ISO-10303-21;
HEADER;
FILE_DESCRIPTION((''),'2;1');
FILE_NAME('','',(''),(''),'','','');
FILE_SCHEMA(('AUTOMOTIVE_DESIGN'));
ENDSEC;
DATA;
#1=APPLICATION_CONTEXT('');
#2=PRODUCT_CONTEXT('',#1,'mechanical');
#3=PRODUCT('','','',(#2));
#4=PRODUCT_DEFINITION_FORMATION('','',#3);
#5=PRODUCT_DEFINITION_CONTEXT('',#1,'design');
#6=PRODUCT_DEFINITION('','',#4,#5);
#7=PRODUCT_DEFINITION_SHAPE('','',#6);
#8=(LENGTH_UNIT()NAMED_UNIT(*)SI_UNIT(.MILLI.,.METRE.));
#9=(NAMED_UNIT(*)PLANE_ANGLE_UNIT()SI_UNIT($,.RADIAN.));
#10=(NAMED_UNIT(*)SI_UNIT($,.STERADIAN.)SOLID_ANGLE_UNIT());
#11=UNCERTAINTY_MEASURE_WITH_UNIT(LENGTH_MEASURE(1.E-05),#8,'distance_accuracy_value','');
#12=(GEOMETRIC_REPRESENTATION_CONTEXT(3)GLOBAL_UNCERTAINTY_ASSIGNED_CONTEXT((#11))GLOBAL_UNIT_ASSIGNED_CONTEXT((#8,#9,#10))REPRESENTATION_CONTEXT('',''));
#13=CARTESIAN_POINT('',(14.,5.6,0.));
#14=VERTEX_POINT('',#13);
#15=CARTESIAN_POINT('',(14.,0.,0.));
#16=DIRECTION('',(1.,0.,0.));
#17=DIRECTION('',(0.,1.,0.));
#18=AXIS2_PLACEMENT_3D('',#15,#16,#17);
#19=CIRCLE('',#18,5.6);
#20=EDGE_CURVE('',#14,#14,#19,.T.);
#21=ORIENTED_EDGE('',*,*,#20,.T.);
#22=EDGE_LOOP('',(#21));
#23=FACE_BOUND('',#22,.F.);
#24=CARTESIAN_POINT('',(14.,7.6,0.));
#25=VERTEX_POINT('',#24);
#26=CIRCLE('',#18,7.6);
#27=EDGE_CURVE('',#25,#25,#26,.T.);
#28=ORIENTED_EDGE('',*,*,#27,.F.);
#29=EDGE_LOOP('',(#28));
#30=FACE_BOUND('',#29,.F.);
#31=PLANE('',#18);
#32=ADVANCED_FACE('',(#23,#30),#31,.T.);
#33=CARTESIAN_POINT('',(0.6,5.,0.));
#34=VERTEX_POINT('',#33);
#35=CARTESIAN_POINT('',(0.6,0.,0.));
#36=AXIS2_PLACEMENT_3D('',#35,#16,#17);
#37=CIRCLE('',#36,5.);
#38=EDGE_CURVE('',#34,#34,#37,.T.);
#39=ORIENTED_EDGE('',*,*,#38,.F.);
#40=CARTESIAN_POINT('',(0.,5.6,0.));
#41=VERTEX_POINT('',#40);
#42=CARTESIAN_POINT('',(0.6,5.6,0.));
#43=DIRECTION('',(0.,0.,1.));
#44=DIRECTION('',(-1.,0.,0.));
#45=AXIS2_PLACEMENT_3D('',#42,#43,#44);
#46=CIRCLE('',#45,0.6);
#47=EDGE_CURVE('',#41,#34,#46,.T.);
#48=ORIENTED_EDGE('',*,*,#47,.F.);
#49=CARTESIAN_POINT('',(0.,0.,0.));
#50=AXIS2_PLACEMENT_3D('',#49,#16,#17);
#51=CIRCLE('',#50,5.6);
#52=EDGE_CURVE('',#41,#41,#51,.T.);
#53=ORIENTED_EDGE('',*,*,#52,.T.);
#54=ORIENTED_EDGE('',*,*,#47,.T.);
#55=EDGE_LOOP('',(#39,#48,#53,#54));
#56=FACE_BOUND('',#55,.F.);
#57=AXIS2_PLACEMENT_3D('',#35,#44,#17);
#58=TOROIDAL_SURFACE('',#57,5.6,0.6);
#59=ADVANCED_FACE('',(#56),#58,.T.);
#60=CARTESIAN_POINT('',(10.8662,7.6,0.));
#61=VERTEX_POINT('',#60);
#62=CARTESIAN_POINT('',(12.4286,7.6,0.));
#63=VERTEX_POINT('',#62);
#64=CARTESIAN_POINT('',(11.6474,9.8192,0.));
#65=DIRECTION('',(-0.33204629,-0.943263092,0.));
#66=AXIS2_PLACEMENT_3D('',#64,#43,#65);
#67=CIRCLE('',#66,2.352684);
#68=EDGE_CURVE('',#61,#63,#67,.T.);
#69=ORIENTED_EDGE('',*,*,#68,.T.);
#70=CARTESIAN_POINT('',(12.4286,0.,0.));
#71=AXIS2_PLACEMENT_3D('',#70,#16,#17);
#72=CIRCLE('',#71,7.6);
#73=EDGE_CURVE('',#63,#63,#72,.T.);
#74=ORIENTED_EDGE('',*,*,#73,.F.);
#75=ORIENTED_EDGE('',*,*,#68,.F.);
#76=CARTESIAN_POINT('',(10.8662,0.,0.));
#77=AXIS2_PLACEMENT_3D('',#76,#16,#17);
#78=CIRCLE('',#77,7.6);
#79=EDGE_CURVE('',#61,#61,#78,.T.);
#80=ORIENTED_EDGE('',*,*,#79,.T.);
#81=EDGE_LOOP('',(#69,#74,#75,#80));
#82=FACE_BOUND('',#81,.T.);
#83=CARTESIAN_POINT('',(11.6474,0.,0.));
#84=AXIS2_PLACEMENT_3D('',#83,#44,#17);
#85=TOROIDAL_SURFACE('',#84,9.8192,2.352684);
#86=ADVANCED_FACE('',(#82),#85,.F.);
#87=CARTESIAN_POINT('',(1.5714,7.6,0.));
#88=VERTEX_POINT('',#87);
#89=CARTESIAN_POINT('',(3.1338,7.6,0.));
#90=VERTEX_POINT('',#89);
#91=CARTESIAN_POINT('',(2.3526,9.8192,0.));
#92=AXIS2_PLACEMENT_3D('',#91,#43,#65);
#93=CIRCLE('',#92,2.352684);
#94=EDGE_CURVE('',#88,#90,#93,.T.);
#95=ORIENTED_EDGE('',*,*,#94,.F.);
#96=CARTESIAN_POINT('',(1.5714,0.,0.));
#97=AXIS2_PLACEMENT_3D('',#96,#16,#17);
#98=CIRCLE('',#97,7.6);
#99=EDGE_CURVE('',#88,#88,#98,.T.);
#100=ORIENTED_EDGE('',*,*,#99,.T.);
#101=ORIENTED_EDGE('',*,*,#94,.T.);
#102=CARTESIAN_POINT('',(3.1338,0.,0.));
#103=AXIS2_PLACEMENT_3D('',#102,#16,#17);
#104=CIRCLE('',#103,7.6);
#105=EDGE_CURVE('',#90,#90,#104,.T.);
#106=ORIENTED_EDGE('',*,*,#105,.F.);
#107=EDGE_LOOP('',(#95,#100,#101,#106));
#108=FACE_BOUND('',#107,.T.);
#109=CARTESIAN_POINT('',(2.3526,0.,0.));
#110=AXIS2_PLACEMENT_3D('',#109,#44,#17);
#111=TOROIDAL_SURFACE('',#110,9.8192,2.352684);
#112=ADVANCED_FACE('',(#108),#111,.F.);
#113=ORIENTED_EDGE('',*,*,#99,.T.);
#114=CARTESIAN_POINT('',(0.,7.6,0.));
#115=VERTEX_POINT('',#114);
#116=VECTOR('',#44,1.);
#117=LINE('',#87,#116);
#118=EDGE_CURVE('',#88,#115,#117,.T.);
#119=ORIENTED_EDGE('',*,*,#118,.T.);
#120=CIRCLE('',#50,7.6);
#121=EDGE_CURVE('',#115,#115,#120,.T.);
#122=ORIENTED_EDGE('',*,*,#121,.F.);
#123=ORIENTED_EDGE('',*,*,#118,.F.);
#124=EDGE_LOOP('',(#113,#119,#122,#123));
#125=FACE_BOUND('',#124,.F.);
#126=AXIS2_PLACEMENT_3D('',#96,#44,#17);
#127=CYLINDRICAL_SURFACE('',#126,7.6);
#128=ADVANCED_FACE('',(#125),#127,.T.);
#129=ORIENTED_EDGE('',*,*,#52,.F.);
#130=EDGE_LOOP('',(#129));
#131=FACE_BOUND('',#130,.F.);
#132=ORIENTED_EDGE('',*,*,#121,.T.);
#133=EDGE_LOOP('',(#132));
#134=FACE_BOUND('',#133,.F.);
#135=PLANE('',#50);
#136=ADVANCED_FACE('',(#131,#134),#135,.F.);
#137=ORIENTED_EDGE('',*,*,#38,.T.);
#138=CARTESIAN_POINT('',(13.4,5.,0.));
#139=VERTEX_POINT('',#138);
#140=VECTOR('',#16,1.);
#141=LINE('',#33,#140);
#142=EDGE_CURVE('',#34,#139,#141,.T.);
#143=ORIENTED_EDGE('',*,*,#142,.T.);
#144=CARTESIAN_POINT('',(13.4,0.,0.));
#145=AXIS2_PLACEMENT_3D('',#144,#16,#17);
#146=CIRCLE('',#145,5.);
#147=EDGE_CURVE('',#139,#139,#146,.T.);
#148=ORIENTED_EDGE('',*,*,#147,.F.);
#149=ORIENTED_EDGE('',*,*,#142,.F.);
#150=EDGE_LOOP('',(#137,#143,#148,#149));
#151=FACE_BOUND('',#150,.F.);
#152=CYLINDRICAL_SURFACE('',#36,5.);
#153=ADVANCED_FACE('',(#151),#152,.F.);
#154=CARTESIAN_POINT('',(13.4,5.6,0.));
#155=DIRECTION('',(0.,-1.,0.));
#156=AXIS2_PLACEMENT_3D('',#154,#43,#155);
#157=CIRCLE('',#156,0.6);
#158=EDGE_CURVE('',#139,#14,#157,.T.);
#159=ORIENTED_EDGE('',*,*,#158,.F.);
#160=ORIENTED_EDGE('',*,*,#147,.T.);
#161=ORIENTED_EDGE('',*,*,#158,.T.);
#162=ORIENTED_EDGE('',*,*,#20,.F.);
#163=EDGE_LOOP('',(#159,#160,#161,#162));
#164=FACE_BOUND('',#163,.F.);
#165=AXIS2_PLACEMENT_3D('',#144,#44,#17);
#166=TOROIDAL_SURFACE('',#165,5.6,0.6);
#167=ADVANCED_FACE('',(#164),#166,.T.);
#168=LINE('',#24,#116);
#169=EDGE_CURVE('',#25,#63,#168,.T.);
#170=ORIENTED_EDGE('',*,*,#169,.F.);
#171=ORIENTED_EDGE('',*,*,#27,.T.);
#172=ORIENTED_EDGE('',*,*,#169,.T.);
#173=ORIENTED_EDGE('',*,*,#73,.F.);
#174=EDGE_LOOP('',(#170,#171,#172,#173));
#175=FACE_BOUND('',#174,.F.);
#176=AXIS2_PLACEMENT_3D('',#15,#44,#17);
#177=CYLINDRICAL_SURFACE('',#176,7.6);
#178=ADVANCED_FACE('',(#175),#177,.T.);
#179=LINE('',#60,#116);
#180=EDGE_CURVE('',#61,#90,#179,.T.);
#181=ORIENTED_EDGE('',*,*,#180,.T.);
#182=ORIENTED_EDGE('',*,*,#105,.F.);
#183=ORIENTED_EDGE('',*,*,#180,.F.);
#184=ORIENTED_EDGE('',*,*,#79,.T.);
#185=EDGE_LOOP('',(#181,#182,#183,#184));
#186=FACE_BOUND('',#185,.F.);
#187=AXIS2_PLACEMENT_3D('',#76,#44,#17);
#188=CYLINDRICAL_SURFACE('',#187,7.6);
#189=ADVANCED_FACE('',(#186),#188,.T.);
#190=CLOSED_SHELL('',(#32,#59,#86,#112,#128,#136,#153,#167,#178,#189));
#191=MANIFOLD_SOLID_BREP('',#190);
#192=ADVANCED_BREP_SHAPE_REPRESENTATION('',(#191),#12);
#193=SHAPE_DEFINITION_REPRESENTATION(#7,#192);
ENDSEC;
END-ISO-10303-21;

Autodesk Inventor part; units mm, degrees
sketch "Sketch_1" plane through (0, 0, 0) normal (0, 0, 1) x (1, 0, 0)
  line L0 (14, 0) -> (0, 0)
  arc A0 (0, 5.6) -> (0.6, 5) centre (0.6, 5.6) ccw
  line L1 (0.6, 5) -> (13.4, 5)
  arc A1 (13.4, 5) -> (14, 5.6) centre (13.4, 5.6) ccw
  line L2 (14, 5.6) -> (14, 7.6)
  line L3 (14, 7.6) -> (12.4286, 7.6)
  arc A2 (10.8662, 7.6) -> (12.4286, 7.6) centre (11.6474, 9.8192) ccw
  line L4 (10.8662, 7.6) -> (3.1338, 7.6)
  arc A3 (1.5714, 7.6) -> (3.1338, 7.6) centre (2.3526, 9.8192) ccw
  line L5 (1.5714, 7.6) -> (0, 7.6)
  line L6 (0, 7.6) -> (0, 5.6)
revolve "Revolution1" add sketch "Sketch_1" angle 360 about axis through (14, 0, 0) along (1, 0, 0)
ref_plane "ip_cb_11_1_XY" through (2.3526, 9.0717, 3.7576) normal (1, 0, 0) x (0, 0, -1)
ref_plane "ip_cb_11_1_YZ" through (2.3526, 9.0717, 3.7576) normal (0, 0, -1) x (0, 1, 0)
ref_plane "ip_cb_11_1_ZX" through (2.3526, 9.0717, 3.7576) normal (0, 1, 0) x (1, 0, 0)
ref_plane "ip_cb_11_2_XY" through (2.3526, 3.7576, 9.0717) normal (1, 0, 0) x (0, 0, -1)
ref_plane "ip_cb_11_2_YZ" through (2.3526, 3.7576, 9.0717) normal (0, 0, -1) x (0, 1, 0)
ref_plane "ip_cb_11_2_ZX" through (2.3526, 3.7576, 9.0717) normal (0, 1, 0) x (1, 0, 0)
ref_plane "ip_cb_11_3_XY" through (2.3526, -3.7576, 9.0717) normal (1, 0, 0) x (0, 0, -1)
ref_plane "ip_cb_11_3_YZ" through (2.3526, -3.7576, 9.0717) normal (0, 0, -1) x (0, 1, 0)
ref_plane "ip_cb_11_3_ZX" through (2.3526, -3.7576, 9.0717) normal (0, 1, 0) x (1, 0, 0)
ref_plane "ip_cb_11_4_XY" through (2.3526, -9.0717, 3.7576) normal (1, 0, 0) x (0, 0, -1)
ref_plane "ip_cb_11_4_YZ" through (2.3526, -9.0717, 3.7576) normal (0, 0, -1) x (0, 1, 0)
ref_plane "ip_cb_11_4_ZX" through (2.3526, -9.0717, 3.7576) normal (0, 1, 0) x (1, 0, 0)
ref_plane "ip_cb_11_5_XY" through (2.3526, -9.0717, -3.7576) normal (1, 0, 0) x (0, 0, -1)
ref_plane "ip_cb_11_5_YZ" through (2.3526, -9.0717, -3.7576) normal (0, 0, -1) x (0, 1, 0)
ref_plane "ip_cb_11_5_ZX" through (2.3526, -9.0717, -3.7576) normal (0, 1, 0) x (1, 0, 0)
ref_plane "ip_cb_11_6_XY" through (2.3526, -3.7576, -9.0717) normal (1, 0, 0) x (0, 0, -1)
ref_plane "ip_cb_11_6_YZ" through (2.3526, -3.7576, -9.0717) normal (0, 0, -1) x (0, 1, 0)
ref_plane "ip_cb_11_6_ZX" through (2.3526, -3.7576, -9.0717) normal (0, 1, 0) x (1, 0, 0)
ref_plane "ip_cb_11_7_XY" through (2.3526, 3.7576, -9.0717) normal (1, 0, 0) x (0, 0, -1)
ref_plane "ip_cb_11_7_YZ" through (2.3526, 3.7576, -9.0717) normal (0, 0, -1) x (0, 1, 0)
ref_plane "ip_cb_11_7_ZX" through (2.3526, 3.7576, -9.0717) normal (0, 1, 0) x (1, 0, 0)
ref_plane "ip_cb_11_8_XY" through (2.3526, 9.0717, -3.7576) normal (1, 0, 0) x (0, 0, -1)
ref_plane "ip_cb_11_8_YZ" through (2.3526, 9.0717, -3.7576) normal (0, 0, -1) x (0, 1, 0)
ref_plane "ip_cb_11_8_ZX" through (2.3526, 9.0717, -3.7576) normal (0, 1, 0) x (1, 0, 0)
ref_plane "ip_cb_1a_XY" through (0, 0, 0) normal (-1, 0, 0) x (0, 0, -1)
ref_plane "ip_cb_1a_YZ" through (0, 0, 0) normal (0, 0, -1) x (0, -1, 0)
ref_plane "ip_cb_1a_ZX" through (0, 0, 0) normal (0, -1, 0) x (-1, 0, 0)
ref_plane "ip_cb_22_1_XY" through (11.6474, 9.8192, 0) normal (1, 0, 0) x (0, 0, -1)
ref_plane "ip_cb_22_1_YZ" through (11.6474, 9.8192, 0) normal (0, 0, -1) x (0, 1, 0)
ref_plane "ip_cb_22_1_ZX" through (11.6474, 9.8192, 0) normal (0, 1, 0) x (1, 0, 0)
ref_plane "ip_cb_22_2_XY" through (11.6474, 6.9432, 6.9432) normal (1, 0, 0) x (0, 0, -1)
ref_plane "ip_cb_22_2_YZ" through (11.6474, 6.9432, 6.9432) normal (0, 0, -1) x (0, 1, 0)
ref_plane "ip_cb_22_2_ZX" through (11.6474, 6.9432, 6.9432) normal (0, 1, 0) x (1, 0, 0)
ref_plane "ip_cb_22_3_XY" through (11.6474, 0, 9.8192) normal (1, 0, 0) x (0, 0, -1)
ref_plane "ip_cb_22_3_YZ" through (11.6474, 0, 9.8192) normal (0, 0, -1) x (0, 1, 0)
ref_plane "ip_cb_22_3_ZX" through (11.6474, 0, 9.8192) normal (0, 1, 0) x (1, 0, 0)
ref_plane "ip_cb_22_4_XY" through (11.6474, -6.9432, 6.9432) normal (1, 0, 0) x (0, 0, -1)
ref_plane "ip_cb_22_4_YZ" through (11.6474, -6.9432, 6.9432) normal (0, 0, -1) x (0, 1, 0)
ref_plane "ip_cb_22_4_ZX" through (11.6474, -6.9432, 6.9432) normal (0, 1, 0) x (1, 0, 0)
ref_plane "ip_cb_22_5_XY" through (11.6474, -9.8192, 0) normal (1, 0, 0) x (0, 0, -1)
ref_plane "ip_cb_22_5_YZ" through (11.6474, -9.8192, 0) normal (0, 0, -1) x (0, 1, 0)
ref_plane "ip_cb_22_5_ZX" through (11.6474, -9.8192, 0) normal (0, 1, 0) x (1, 0, 0)
ref_plane "ip_cb_22_6_XY" through (11.6474, -6.9432, -6.9432) normal (1, 0, 0) x (0, 0, -1)
ref_plane "ip_cb_22_6_YZ" through (11.6474, -6.9432, -6.9432) normal (0, 0, -1) x (0, 1, 0)
ref_plane "ip_cb_22_6_ZX" through (11.6474, -6.9432, -6.9432) normal (0, 1, 0) x (1, 0, 0)
ref_plane "ip_cb_22_7_XY" through (11.6474, 0, -9.8192) normal (1, 0, 0) x (0, 0, -1)
ref_plane "ip_cb_22_7_YZ" through (11.6474, 0, -9.8192) normal (0, 0, -1) x (0, 1, 0)
ref_plane "ip_cb_22_7_ZX" through (11.6474, 0, -9.8192) normal (0, 1, 0) x (1, 0, 0)
ref_plane "ip_cb_22_8_XY" through (11.6474, 6.9432, -6.9432) normal (1, 0, 0) x (0, 0, -1)
ref_plane "ip_cb_22_8_YZ" through (11.6474, 6.9432, -6.9432) normal (0, 0, -1) x (0, 1, 0)
ref_plane "ip_cb_22_8_ZX" through (11.6474, 6.9432, -6.9432) normal (0, 1, 0) x (1, 0, 0)
properties part number "2200 Inner Ring"
